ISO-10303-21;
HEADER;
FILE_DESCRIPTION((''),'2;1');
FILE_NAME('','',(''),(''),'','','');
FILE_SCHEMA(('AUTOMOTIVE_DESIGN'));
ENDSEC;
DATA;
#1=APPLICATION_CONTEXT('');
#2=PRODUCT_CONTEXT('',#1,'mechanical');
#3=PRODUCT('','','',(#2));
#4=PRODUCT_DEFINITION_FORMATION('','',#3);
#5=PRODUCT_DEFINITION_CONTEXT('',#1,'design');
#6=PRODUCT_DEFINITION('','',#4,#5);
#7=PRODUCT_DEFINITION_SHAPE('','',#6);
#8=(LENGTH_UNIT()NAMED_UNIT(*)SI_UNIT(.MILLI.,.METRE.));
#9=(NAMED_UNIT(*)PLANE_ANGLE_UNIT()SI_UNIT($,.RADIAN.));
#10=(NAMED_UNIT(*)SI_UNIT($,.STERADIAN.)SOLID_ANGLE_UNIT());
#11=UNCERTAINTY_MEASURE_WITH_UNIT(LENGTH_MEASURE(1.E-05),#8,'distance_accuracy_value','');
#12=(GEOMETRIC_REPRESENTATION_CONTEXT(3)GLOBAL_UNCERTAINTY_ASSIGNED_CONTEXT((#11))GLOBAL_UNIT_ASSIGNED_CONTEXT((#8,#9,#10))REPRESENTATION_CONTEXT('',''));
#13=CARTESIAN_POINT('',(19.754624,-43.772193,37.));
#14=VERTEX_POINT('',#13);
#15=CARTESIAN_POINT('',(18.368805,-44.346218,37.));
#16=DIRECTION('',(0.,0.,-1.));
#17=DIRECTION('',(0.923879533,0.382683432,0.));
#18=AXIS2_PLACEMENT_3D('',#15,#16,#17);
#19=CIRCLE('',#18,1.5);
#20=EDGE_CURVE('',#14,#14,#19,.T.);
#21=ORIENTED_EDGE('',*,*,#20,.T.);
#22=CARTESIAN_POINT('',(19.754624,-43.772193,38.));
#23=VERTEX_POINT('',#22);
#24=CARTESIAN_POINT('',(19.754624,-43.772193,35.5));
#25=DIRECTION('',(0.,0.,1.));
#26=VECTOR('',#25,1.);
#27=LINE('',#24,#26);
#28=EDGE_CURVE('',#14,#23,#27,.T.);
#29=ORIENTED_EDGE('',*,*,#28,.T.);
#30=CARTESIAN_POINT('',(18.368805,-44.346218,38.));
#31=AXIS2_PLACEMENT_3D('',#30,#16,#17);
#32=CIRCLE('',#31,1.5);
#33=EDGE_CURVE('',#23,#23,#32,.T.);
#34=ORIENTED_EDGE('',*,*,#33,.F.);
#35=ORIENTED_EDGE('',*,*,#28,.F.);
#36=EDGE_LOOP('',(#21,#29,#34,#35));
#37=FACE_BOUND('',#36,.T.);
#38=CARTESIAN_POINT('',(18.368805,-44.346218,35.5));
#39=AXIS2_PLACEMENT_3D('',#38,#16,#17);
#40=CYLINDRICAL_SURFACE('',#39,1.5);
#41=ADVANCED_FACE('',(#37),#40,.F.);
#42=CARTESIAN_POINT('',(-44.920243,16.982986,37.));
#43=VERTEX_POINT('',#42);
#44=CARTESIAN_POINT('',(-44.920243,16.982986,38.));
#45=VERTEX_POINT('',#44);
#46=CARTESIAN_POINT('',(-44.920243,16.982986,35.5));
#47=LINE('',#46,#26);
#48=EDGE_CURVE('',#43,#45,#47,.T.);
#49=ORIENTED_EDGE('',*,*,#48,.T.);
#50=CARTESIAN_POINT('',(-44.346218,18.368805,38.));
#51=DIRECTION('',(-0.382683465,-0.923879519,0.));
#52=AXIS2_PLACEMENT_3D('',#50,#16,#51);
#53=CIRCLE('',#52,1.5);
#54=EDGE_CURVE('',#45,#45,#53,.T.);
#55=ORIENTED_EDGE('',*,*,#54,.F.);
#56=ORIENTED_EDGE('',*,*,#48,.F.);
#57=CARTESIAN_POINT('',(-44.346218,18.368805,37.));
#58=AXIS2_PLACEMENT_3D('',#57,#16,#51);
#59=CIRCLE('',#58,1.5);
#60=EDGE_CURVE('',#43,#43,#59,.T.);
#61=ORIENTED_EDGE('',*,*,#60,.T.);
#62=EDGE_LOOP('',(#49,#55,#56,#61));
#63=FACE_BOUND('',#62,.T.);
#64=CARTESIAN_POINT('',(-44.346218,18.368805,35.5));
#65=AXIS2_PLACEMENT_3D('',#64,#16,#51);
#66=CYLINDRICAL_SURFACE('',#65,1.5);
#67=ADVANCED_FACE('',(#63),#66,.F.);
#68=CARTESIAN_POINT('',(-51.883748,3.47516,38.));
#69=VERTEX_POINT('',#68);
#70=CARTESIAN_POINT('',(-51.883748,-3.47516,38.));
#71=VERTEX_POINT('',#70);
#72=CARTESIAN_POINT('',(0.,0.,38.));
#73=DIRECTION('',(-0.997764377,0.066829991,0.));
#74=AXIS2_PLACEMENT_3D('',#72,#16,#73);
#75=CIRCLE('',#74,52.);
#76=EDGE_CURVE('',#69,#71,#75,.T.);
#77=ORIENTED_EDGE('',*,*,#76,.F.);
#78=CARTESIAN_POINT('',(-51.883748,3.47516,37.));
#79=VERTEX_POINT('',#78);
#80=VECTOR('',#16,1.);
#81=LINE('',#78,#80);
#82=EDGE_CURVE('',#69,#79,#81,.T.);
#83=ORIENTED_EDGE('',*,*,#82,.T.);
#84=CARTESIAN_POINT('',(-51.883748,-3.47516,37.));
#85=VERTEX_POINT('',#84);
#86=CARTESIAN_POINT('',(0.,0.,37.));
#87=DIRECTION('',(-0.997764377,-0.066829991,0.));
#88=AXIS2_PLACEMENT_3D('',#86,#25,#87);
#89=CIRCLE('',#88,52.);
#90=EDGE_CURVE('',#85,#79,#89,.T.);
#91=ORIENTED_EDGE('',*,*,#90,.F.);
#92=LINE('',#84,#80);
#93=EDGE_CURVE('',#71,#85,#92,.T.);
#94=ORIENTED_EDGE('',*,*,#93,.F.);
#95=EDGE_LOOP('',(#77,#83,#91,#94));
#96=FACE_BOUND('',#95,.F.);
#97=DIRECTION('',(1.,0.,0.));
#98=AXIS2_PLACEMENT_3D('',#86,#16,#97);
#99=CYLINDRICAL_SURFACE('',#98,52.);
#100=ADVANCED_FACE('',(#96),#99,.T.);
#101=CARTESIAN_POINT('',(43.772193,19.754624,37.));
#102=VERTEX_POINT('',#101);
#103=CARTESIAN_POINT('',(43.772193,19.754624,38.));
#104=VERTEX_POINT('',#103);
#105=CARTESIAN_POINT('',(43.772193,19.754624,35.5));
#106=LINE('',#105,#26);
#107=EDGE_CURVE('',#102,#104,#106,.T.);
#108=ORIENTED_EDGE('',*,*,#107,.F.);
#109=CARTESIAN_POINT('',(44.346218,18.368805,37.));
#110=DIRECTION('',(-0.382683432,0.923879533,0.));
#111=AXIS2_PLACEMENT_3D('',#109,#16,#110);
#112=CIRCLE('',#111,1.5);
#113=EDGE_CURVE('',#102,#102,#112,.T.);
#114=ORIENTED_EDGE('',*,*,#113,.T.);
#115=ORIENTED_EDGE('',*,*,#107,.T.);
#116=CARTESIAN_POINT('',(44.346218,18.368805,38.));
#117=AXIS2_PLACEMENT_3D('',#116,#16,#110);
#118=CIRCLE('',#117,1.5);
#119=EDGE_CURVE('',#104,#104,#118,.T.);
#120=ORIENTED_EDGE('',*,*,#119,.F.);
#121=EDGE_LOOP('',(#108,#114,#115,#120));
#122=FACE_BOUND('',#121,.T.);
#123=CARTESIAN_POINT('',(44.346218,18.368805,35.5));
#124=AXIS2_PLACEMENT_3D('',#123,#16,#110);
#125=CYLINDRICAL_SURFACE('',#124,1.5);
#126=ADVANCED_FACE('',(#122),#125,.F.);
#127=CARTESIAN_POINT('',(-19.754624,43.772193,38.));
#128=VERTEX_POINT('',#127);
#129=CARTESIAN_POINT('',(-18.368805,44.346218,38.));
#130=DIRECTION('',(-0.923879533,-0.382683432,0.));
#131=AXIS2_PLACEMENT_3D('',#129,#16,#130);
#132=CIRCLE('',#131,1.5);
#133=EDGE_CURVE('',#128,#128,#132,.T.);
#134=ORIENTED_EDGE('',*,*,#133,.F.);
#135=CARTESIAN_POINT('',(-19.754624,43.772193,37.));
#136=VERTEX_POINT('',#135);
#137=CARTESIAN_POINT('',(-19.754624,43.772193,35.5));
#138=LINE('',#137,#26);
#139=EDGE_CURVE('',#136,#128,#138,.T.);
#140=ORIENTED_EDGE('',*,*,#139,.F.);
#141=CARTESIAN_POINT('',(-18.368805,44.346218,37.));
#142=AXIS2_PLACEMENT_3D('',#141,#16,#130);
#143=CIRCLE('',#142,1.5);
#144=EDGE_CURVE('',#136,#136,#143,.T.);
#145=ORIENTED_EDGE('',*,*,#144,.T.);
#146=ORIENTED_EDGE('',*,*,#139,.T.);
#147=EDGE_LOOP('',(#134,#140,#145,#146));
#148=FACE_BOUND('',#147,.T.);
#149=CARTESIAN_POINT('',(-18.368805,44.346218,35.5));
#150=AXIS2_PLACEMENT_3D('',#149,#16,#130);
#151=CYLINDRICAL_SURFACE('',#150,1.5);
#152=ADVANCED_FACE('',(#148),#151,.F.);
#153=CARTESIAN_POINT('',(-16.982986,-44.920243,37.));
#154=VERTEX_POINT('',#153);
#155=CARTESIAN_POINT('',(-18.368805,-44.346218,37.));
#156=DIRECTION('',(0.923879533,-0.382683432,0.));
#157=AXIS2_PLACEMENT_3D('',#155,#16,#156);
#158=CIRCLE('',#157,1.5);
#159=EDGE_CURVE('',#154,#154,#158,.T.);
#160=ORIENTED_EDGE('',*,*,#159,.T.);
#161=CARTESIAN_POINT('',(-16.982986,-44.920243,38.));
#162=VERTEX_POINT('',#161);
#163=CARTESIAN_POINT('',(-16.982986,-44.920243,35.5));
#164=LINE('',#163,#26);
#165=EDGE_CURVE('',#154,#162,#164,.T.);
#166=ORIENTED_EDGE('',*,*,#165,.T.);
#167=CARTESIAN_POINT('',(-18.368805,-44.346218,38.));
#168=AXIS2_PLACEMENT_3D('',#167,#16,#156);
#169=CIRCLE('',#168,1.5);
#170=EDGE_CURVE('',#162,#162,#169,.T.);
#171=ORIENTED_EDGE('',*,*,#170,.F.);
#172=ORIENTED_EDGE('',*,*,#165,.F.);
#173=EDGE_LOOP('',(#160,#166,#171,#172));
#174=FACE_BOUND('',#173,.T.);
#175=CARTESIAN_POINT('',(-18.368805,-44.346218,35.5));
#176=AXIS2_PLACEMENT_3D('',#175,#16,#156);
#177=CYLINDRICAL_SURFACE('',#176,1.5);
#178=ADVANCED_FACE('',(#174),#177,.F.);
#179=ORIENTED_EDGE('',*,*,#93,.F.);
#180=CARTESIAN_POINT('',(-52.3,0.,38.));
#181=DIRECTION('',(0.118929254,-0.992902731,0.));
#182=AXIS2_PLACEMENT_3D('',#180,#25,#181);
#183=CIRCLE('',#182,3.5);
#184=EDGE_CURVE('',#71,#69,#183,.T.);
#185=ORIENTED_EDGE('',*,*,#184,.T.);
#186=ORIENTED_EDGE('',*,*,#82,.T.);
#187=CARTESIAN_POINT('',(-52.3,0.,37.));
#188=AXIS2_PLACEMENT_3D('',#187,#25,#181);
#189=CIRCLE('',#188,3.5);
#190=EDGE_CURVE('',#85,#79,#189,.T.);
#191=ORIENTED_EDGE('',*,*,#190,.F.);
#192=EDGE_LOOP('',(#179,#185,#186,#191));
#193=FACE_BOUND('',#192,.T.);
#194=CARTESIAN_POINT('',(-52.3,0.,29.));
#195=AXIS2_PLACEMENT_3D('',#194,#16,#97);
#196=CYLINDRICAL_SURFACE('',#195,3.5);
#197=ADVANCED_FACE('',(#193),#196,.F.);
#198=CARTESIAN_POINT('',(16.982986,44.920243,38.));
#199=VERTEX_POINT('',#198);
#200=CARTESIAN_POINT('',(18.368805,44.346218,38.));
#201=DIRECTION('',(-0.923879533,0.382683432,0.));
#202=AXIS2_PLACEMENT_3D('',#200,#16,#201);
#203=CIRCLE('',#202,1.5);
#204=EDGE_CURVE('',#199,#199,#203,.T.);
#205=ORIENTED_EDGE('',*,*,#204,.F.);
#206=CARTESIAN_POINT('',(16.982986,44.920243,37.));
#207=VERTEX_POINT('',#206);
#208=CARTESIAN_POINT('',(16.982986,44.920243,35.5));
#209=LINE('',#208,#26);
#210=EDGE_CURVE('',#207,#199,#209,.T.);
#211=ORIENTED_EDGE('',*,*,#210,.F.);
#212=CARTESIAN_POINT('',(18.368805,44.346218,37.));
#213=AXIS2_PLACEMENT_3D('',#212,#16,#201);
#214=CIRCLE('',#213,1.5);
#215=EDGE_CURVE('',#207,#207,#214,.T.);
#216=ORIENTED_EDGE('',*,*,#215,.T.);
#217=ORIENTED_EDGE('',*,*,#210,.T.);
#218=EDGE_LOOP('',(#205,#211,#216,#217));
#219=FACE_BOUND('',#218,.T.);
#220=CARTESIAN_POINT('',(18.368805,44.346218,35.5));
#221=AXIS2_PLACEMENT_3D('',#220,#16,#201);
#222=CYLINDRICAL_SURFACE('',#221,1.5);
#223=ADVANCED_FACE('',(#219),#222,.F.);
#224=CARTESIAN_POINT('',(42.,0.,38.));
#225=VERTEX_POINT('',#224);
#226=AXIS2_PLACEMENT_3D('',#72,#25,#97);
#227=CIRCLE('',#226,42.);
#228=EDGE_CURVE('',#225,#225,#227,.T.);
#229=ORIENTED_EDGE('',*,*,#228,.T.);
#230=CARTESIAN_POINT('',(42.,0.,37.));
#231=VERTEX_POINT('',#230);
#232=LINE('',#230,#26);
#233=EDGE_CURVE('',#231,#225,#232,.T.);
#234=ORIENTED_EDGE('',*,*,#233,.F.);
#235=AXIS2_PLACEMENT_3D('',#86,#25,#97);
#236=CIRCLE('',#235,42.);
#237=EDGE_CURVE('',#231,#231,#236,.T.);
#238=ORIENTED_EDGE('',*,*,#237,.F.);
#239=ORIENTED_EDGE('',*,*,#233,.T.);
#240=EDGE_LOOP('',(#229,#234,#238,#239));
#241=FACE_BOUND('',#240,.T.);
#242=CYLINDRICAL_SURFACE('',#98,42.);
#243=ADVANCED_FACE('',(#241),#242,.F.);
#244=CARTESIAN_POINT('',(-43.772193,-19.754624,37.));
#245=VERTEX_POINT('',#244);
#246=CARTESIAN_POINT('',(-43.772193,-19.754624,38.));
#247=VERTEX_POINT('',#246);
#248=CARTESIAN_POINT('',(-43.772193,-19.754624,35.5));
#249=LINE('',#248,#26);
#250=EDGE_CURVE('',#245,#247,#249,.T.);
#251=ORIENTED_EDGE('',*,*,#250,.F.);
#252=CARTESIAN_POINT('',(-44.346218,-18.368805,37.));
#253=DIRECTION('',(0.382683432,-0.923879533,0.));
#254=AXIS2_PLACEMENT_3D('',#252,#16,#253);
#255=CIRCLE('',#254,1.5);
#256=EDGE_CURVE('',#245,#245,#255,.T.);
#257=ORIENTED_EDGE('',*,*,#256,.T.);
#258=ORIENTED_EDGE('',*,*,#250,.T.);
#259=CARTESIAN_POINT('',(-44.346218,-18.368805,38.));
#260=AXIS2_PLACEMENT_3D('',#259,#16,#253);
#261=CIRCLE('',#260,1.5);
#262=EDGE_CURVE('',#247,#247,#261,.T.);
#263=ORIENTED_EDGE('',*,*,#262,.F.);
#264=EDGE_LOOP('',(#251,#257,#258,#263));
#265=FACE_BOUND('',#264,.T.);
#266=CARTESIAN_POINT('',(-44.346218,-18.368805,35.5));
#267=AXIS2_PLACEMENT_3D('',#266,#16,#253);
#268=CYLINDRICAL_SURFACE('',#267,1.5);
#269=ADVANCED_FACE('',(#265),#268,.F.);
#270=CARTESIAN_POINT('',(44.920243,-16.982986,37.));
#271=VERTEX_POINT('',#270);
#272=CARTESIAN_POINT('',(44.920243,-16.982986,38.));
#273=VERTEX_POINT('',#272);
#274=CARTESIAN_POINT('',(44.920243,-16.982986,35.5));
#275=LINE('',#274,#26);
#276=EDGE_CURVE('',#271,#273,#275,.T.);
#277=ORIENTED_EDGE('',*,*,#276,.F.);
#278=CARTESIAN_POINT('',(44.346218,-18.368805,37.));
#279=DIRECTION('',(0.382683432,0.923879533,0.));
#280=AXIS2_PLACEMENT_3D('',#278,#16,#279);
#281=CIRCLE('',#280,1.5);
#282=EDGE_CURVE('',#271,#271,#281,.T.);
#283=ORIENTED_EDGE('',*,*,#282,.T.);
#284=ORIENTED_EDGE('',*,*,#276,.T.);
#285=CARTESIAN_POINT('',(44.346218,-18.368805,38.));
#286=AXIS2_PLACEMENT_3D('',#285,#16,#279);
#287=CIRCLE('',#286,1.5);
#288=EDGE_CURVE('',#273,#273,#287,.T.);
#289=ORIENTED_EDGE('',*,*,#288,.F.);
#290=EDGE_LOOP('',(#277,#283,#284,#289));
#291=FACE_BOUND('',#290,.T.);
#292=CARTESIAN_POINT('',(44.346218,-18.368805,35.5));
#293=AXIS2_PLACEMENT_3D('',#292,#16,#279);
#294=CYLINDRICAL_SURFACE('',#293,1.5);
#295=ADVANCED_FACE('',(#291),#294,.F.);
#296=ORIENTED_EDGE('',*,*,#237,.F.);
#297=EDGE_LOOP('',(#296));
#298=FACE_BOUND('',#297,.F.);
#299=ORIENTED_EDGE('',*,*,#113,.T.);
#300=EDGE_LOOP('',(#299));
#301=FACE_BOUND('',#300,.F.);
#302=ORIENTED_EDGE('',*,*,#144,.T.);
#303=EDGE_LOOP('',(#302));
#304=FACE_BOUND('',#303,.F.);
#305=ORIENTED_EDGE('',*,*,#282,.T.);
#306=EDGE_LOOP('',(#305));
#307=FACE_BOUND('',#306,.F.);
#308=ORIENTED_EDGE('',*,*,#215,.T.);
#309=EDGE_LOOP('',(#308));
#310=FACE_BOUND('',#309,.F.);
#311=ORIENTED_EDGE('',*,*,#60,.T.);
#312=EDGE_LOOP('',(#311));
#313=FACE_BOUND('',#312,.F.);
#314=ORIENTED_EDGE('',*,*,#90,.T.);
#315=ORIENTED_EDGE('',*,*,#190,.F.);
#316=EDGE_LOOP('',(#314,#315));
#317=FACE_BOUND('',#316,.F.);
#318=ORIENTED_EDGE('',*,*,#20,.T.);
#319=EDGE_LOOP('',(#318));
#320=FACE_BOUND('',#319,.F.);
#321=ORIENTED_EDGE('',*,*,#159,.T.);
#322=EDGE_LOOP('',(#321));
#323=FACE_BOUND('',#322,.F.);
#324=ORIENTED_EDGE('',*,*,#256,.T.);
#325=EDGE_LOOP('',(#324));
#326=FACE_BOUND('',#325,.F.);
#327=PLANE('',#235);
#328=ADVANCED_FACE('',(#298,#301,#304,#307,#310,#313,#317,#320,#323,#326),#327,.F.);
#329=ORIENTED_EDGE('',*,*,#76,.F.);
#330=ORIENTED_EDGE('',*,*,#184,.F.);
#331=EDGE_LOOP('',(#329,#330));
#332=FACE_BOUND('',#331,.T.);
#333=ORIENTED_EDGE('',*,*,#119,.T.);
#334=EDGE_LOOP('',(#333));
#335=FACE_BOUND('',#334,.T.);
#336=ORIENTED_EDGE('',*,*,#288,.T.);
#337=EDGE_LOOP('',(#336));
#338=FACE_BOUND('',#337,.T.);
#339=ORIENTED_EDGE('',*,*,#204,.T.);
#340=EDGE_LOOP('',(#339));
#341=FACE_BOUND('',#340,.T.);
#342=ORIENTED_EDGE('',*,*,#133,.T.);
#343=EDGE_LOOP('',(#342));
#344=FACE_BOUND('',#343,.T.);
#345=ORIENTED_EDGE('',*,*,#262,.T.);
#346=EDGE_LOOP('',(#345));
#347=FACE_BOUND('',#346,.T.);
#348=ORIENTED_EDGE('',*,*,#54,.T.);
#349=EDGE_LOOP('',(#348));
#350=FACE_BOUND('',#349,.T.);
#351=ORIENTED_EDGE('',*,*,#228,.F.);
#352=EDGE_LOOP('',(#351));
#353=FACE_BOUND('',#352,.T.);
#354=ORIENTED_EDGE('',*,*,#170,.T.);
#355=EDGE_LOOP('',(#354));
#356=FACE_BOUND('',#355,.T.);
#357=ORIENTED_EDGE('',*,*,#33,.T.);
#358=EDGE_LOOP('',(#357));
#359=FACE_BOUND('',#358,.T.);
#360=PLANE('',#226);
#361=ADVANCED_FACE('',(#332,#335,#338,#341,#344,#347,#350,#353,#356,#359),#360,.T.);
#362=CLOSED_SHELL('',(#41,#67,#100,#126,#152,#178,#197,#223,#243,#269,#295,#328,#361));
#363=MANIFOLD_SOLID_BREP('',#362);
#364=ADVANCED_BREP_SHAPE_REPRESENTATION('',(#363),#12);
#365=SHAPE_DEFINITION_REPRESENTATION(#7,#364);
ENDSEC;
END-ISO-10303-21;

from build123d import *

# Parameters (mm, degrees)
CYLINDER345_R               = 3.5
CYLINDER345_DEPTH           = 20
CYLINDER339_R               = 1.5
CYLINDER339_DEPTH           = 10
CYLINDER339_PLACEMENT_ANGLE = 67.5
CYLINDER340_R               = 1.5
CYLINDER340_DEPTH           = 10
CYLINDER340_PLACEMENT_ANGLE = 112.5
CYLINDER343_R               = 1.5
CYLINDER343_DEPTH           = 10
CYLINDER343_PLACEMENT_ANGLE = 157.5
CYLINDER341_R               = 1.5
CYLINDER341_DEPTH           = 10
CYLINDER341_PLACEMENT_ANGLE = 202.5
CYLINDER338_R               = 1.5
CYLINDER338_DEPTH           = 10
CYLINDER338_PLACEMENT_ANGLE = 112.500002
CYLINDER344_R               = 1.5
CYLINDER344_DEPTH           = 10
CYLINDER344_PLACEMENT_ANGLE = 67.5
CYLINDER342_R               = 1.5
CYLINDER342_DEPTH           = 10
CYLINDER342_PLACEMENT_ANGLE = 22.5
CYLINDER337_R               = 1.5
CYLINDER337_DEPTH           = 10
CYLINDER337_PLACEMENT_ANGLE = 22.5
TUBE033_R                   = 52
TUBE033_R_2                 = 42
TUBE033_DEPTH               = 1


with BuildPart() as v_lec345:
    # Cylinder345 → Cylinder345 (new body)
    with BuildSketch(Plane(origin=(-52.3, 0, 29), x_dir=(1, 0, 0), z_dir=(0, 0, 1))):
        Circle(CYLINDER345_R)
    extrude(amount=CYLINDER345_DEPTH)


with BuildPart() as v_lec339:
    # Cylinder339 → Cylinder339 (new body)
    with BuildSketch(Plane.XY):
        Circle(CYLINDER339_R)
    extrude(amount=CYLINDER339_DEPTH)


with BuildPart() as v_lec339_1:
    # Cylinder339 placement: moved
    add(v_lec339.part.moved(Location((44.346218, -18.368805, 35.5))).rotate(Axis((44.346218, -18.368805, 35.5), (0, 0, 1)), CYLINDER339_PLACEMENT_ANGLE))


with BuildPart() as v_lec340:
    # Cylinder340 → Cylinder340 (new body)
    with BuildSketch(Plane.XY):
        Circle(CYLINDER340_R)
    extrude(amount=CYLINDER340_DEPTH)


with BuildPart() as v_lec340_1:
    # Cylinder340 placement: moved
    add(v_lec340.part.moved(Location((44.346218, 18.368805, 35.5))).rotate(Axis((44.346218, 18.368805, 35.5), (0, 0, 1)), CYLINDER340_PLACEMENT_ANGLE))


with BuildPart() as v_lec343:
    # Cylinder343 → Cylinder343 (new body)
    with BuildSketch(Plane.XY):
        Circle(CYLINDER343_R)
    extrude(amount=CYLINDER343_DEPTH)


with BuildPart() as v_lec343_1:
    # Cylinder343 placement: moved
    add(v_lec343.part.moved(Location((18.368805, 44.346218, 35.5))).rotate(Axis((18.368805, 44.346218, 35.5), (0, 0, 1)), CYLINDER343_PLACEMENT_ANGLE))


with BuildPart() as v_lec341:
    # Cylinder341 → Cylinder341 (new body)
    with BuildSketch(Plane.XY):
        Circle(CYLINDER341_R)
    extrude(amount=CYLINDER341_DEPTH)


with BuildPart() as v_lec341_1:
    # Cylinder341 placement: moved
    add(v_lec341.part.moved(Location((-18.368805, 44.346218, 35.5))).rotate(Axis((-18.368805, 44.346218, 35.5), (0, 0, 1)), CYLINDER341_PLACEMENT_ANGLE))


with BuildPart() as v_lec338:
    # Cylinder338 → Cylinder338 (new body)
    with BuildSketch(Plane.XY):
        Circle(CYLINDER338_R)
    extrude(amount=CYLINDER338_DEPTH)


with BuildPart() as v_lec338_1:
    # Cylinder338 placement: moved
    add(v_lec338.part.moved(Location((-44.346218, 18.368805, 35.5))).rotate(Axis((-44.346218, 18.368805, 35.5), (0, 0, -1)), CYLINDER338_PLACEMENT_ANGLE))


with BuildPart() as v_lec344:
    # Cylinder344 → Cylinder344 (new body)
    with BuildSketch(Plane.XY):
        Circle(CYLINDER344_R)
    extrude(amount=CYLINDER344_DEPTH)


with BuildPart() as v_lec344_1:
    # Cylinder344 placement: moved
    add(v_lec344.part.moved(Location((-44.346218, -18.368805, 35.5))).rotate(Axis((-44.346218, -18.368805, 35.5), (0, 0, -1)), CYLINDER344_PLACEMENT_ANGLE))


with BuildPart() as v_lec342:
    # Cylinder342 → Cylinder342 (new body)
    with BuildSketch(Plane.XY):
        Circle(CYLINDER342_R)
    extrude(amount=CYLINDER342_DEPTH)


with BuildPart() as v_lec342_1:
    # Cylinder342 placement: moved
    add(v_lec342.part.moved(Location((-18.368805, -44.346218, 35.5))).rotate(Axis((-18.368805, -44.346218, 35.5), (0, 0, -1)), CYLINDER342_PLACEMENT_ANGLE))


with BuildPart() as compound286:
    # Cylinder337 → Cylinder337 (new body)
    with BuildSketch(Plane.XY):
        Circle(CYLINDER337_R)
    extrude(amount=CYLINDER337_DEPTH)


with BuildPart() as compound286_1:
    # Cylinder337 placement: moved
    add(compound286.part.moved(Location((18.368805, -44.346218, 35.5))).rotate(Axis((18.368805, -44.346218, 35.5), (0, 0, 1)), CYLINDER337_PLACEMENT_ANGLE))

    # Compound286: union Válec339, Válec340, Válec343, Válec341, Válec338, Válec344, Válec342
    add(v_lec339_1.part)
    add(v_lec340_1.part)
    add(v_lec343_1.part)
    add(v_lec341_1.part)
    add(v_lec338_1.part)
    add(v_lec344_1.part)
    add(v_lec342_1.part)


with BuildPart() as cut143:
    # Tube033 → Tube033 (new body)
    with BuildSketch(Plane.XY.offset(37)):
        Circle(TUBE033_R)
        Circle(TUBE033_R_2, mode=Mode.SUBTRACT)
    extrude(amount=TUBE033_DEPTH)

    # Cut142: cut Compound286
    add(compound286_1.part, mode=Mode.SUBTRACT)

    # Cut143: cut Válec345
    add(v_lec345.part, mode=Mode.SUBTRACT)


solid = cut143.part
